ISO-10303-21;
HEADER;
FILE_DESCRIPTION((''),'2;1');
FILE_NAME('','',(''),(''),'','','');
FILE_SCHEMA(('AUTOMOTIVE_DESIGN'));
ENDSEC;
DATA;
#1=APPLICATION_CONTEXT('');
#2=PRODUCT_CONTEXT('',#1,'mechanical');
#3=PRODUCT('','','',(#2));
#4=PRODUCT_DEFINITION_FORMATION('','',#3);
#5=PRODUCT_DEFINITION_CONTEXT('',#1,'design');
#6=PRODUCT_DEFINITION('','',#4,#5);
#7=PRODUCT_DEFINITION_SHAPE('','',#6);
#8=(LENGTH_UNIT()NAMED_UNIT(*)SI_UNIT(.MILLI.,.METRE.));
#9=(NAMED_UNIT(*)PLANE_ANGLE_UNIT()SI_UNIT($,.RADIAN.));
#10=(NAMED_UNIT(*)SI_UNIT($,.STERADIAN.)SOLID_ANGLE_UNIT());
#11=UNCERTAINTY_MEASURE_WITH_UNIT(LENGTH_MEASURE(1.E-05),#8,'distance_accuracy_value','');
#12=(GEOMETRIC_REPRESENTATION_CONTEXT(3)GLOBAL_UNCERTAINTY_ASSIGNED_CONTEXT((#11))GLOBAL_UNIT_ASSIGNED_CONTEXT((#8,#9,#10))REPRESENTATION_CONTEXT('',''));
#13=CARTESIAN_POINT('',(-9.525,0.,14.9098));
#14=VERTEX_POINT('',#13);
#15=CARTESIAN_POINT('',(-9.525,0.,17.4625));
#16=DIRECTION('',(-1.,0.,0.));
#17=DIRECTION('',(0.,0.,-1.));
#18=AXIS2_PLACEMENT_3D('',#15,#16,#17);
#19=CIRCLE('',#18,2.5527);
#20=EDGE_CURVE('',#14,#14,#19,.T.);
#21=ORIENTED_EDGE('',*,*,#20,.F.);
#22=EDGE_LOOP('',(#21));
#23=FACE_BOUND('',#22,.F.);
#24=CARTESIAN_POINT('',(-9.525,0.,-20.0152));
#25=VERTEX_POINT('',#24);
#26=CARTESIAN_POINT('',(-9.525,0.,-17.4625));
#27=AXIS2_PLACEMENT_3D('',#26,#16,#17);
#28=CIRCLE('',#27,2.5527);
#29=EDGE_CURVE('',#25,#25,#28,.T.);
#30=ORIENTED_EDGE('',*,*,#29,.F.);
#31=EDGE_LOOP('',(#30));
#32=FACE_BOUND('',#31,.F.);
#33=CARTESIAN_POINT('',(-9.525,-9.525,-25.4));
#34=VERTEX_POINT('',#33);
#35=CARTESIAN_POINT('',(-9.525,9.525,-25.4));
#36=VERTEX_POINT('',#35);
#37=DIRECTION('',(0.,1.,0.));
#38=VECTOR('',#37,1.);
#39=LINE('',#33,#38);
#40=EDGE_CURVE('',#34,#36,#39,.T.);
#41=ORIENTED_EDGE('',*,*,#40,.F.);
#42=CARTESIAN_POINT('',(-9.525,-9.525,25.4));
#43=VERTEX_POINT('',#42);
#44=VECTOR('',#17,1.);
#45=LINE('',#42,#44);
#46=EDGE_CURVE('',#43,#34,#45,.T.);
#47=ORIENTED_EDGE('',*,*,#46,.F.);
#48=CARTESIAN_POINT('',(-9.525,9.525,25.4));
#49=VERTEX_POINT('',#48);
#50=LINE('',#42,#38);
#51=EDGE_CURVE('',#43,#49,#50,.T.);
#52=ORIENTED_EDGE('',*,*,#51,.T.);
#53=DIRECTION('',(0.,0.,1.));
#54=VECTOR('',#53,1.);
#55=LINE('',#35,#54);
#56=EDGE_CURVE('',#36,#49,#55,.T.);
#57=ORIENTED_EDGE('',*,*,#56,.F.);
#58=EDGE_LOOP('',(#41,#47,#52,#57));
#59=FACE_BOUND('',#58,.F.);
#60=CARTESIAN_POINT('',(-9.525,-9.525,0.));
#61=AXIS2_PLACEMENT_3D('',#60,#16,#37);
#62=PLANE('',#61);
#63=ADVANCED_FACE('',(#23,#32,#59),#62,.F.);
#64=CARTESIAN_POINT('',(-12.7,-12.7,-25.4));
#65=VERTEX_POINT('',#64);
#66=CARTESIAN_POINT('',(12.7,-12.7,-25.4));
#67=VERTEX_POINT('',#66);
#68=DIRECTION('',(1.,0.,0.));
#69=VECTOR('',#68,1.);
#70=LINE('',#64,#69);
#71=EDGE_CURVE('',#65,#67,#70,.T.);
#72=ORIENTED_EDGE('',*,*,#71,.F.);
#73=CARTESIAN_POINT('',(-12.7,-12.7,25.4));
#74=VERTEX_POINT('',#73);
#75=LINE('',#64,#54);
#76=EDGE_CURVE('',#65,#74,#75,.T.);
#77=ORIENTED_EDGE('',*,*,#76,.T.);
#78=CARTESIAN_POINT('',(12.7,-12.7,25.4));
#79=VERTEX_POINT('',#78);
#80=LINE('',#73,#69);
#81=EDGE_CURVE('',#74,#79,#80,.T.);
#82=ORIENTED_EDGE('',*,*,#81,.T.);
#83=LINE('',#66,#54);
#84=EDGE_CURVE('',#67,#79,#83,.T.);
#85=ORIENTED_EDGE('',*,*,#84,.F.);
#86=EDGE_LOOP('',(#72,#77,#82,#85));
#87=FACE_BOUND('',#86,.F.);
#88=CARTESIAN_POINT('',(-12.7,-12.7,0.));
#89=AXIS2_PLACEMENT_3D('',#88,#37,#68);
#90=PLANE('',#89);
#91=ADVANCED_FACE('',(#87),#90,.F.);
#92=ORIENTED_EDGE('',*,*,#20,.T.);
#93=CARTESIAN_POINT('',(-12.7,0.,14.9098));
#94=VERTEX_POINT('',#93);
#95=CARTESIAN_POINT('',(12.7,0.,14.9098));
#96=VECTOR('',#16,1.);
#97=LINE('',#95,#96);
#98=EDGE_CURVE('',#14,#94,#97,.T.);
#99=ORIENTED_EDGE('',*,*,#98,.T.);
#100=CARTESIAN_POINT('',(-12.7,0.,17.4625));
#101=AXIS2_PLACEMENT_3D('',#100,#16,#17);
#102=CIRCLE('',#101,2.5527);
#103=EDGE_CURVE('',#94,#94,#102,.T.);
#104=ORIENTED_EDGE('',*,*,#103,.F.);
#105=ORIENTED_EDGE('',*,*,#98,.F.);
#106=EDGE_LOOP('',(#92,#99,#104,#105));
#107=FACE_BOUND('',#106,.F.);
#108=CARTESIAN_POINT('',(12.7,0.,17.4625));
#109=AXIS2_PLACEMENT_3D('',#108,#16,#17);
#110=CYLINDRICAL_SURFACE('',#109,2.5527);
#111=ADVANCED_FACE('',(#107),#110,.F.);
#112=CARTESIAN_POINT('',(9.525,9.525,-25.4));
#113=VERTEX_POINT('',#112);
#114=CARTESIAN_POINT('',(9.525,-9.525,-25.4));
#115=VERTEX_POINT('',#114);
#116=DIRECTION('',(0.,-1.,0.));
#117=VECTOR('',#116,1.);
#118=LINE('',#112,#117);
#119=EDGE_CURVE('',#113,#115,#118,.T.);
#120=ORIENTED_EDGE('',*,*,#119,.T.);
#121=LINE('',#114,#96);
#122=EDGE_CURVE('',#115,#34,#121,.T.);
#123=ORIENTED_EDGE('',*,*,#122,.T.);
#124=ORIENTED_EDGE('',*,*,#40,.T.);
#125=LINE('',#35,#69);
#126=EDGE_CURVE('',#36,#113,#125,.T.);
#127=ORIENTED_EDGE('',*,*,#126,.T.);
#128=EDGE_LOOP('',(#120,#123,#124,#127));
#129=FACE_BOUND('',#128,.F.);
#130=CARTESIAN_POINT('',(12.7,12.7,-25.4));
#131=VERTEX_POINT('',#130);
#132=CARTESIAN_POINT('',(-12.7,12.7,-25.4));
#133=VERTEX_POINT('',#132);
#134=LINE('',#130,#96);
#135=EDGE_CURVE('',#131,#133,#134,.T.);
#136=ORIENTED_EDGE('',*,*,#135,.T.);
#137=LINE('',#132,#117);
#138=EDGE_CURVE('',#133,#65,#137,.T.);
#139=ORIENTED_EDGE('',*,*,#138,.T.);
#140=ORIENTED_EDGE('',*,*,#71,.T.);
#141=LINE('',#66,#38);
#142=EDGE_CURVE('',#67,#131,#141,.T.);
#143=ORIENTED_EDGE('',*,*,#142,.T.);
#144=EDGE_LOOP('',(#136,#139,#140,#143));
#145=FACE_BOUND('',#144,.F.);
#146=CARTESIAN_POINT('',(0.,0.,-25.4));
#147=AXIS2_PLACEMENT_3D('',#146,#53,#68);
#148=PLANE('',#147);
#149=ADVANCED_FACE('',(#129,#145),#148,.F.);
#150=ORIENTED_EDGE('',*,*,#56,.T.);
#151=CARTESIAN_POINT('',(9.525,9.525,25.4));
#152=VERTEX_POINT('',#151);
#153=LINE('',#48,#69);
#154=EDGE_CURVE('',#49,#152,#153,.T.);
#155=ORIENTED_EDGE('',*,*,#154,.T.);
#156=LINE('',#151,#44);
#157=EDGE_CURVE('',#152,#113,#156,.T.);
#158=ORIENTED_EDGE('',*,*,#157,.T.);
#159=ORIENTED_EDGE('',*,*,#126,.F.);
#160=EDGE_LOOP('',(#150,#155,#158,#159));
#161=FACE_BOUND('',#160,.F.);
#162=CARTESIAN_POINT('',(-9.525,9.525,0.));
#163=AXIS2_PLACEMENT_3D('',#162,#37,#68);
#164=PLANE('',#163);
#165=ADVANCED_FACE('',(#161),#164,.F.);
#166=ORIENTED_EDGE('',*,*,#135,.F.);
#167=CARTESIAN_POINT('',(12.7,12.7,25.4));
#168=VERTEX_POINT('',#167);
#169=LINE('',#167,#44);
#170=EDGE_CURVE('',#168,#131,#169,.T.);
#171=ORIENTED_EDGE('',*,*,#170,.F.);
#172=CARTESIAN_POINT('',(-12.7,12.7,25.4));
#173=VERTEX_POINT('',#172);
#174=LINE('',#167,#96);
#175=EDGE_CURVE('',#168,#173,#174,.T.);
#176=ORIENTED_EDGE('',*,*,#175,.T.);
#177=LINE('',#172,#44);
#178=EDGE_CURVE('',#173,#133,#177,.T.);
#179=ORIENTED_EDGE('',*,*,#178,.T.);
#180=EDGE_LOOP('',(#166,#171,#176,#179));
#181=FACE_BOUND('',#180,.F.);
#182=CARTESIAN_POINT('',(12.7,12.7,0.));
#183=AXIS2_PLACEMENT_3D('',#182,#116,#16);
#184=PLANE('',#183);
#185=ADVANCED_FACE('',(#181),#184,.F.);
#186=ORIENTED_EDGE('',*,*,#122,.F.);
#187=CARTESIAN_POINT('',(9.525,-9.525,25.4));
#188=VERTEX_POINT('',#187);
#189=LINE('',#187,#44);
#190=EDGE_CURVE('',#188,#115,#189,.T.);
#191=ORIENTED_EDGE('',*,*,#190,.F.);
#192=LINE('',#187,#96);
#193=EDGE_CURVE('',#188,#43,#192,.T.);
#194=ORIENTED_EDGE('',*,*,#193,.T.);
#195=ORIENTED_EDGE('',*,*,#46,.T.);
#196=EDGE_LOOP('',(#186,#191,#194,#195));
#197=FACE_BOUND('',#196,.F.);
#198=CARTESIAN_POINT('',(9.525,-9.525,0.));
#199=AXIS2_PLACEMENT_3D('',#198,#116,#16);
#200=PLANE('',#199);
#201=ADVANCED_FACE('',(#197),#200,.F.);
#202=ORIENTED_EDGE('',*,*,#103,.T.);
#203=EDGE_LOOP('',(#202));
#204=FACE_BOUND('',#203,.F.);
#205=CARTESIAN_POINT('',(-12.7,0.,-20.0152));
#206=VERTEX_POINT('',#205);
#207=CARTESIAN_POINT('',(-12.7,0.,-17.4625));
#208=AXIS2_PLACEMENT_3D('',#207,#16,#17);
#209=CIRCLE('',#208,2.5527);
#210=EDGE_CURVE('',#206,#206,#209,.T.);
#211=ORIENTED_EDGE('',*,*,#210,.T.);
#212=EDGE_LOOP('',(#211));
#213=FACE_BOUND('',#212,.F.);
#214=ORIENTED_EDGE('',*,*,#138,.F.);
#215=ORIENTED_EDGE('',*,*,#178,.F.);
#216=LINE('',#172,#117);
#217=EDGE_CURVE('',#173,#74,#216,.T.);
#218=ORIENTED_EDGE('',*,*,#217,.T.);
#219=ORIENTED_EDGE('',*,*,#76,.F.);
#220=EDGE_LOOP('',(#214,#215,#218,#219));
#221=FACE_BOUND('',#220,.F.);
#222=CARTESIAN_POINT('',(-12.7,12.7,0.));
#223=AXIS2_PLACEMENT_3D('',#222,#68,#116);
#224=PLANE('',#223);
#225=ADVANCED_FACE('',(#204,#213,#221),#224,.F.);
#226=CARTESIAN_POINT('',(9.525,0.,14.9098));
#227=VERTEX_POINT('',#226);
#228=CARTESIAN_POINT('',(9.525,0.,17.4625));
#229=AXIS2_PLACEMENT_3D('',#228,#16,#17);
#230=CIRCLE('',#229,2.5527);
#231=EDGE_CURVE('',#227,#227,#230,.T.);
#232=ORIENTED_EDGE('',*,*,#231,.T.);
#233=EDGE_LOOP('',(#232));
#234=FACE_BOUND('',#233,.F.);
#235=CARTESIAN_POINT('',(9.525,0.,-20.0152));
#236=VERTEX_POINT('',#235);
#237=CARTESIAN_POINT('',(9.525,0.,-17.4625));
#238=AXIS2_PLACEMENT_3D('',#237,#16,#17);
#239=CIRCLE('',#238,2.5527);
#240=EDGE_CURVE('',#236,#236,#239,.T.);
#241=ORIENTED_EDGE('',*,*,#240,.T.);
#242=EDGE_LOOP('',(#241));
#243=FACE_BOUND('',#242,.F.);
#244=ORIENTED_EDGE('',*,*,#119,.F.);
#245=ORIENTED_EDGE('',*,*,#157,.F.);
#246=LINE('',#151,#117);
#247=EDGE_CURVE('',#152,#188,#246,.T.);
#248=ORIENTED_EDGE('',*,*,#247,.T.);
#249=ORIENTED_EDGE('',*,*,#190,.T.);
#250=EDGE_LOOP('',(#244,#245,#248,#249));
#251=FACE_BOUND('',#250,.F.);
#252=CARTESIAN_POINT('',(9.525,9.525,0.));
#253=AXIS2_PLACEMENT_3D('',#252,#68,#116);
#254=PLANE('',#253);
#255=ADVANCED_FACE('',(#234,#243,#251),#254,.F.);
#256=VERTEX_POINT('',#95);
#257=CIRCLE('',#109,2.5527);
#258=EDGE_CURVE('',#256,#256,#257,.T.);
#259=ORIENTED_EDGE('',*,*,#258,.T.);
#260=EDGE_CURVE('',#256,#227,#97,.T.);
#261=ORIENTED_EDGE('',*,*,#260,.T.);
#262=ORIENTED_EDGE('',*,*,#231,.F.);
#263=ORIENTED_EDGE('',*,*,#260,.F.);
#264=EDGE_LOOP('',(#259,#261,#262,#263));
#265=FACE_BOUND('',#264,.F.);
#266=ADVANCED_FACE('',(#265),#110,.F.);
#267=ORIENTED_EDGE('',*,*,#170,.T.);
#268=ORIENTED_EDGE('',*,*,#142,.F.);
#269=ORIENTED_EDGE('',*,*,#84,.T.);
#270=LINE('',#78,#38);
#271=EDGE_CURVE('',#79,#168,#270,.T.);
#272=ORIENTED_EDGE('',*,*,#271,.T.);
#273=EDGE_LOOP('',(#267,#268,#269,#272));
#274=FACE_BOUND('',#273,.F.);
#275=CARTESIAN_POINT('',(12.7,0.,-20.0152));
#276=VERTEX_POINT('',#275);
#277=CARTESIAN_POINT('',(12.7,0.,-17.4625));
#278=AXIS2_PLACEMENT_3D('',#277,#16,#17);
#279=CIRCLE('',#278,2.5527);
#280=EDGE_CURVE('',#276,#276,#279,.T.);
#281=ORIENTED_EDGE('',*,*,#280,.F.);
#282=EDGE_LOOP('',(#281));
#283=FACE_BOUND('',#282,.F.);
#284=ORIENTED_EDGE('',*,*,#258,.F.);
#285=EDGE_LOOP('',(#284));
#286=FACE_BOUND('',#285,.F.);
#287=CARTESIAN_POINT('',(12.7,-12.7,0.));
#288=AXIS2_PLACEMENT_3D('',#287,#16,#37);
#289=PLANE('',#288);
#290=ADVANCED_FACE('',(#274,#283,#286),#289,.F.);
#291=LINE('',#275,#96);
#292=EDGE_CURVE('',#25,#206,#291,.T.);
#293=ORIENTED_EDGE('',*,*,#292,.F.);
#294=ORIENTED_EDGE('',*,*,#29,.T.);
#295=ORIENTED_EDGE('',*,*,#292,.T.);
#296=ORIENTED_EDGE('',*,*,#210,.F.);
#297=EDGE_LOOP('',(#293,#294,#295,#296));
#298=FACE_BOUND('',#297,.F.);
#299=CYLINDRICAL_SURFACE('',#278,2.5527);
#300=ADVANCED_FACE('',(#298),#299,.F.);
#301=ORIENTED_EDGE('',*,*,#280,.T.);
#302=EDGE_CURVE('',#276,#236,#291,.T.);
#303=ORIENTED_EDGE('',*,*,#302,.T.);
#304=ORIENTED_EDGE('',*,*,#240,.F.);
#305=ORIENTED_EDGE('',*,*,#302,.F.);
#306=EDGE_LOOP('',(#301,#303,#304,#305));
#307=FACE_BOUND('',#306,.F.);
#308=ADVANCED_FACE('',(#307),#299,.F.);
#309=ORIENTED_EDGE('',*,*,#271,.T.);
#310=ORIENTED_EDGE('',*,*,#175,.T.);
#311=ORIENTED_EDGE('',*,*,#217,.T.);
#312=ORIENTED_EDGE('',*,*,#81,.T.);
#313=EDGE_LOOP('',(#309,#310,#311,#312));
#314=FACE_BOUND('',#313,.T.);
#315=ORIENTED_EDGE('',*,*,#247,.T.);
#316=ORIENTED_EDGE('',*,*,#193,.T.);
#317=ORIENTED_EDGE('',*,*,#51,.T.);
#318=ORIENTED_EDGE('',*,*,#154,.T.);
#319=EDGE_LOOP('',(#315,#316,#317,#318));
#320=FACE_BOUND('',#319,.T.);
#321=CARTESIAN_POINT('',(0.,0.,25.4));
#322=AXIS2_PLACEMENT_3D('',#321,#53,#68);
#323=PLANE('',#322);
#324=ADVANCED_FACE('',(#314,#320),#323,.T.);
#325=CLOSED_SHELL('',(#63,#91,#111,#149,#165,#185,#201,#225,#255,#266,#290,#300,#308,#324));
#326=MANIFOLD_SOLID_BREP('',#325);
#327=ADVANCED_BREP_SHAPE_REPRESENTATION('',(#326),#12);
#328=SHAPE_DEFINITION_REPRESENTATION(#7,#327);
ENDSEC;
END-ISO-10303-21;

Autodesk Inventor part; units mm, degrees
ref_plane "YZ Plane" through (0, 0, 0) normal (1, 0, 0) x (0, 1, 0)
ref_plane "XZ Plane" through (0, 0, 0) normal (0, 1, 0) x (-1, 0, 0)
ref_plane "XY Plane" through (0, 0, 0) normal (0, 0, 1) x (1, 0, 0)
sketch "Sketch1" plane through (0, 0, 0) normal (0, 0, 1) x (1, 0, 0)
  line L0 (-12.7, -12.7) -> (12.7, -12.7)
  line L1 (12.7, -12.7) -> (12.7, 12.7)
  line L2 (12.7, 12.7) -> (-12.7, 12.7)
  line L3 (-12.7, 12.7) -> (-12.7, -12.7)
  line L4 (-12.7, -12.7) -> (12.7, 12.7) construction
  line L5 (12.7, -12.7) -> (-12.7, 12.7) construction
  line L6 (-9.525, 9.525) -> (9.525, 9.525)
  line L7 (9.525, 9.525) -> (9.525, -9.525)
  line L8 (9.525, -9.525) -> (-9.525, -9.525)
  line L9 (-9.525, -9.525) -> (-9.525, 9.525)
  point P0 (0, 0)
  dimension "width" = 25.4
  dimension "height" = 25.4
  dimension "thickness" = 3.175
extrude "Extrusion1" add sketch "Sketch1" along normal mid plane 50.8
sketch "Sketch3" plane through (12.7, -12.7, 25.4) normal (1, 0, 0) x (0, 0, -1)
  line L0 (7.9375, 12.7) -> (42.8625, 12.7) construction
  point P0 (25.4, 12.7)
  point P1 (25.4, 12.7)
  dimension "d22" = 34.925
hole "Hole2" at (12.7, 0, -17.4625) at (12.7, 0, 17.4625) direction (-1, 0, 0) diameter 5.1054 end through all clearance for "Flat Head Machine Screw (82)" size "#10" standard "Ansi Unified Screw Threads"
properties part number "EL2-S-003" material "Aluminum 6061"
